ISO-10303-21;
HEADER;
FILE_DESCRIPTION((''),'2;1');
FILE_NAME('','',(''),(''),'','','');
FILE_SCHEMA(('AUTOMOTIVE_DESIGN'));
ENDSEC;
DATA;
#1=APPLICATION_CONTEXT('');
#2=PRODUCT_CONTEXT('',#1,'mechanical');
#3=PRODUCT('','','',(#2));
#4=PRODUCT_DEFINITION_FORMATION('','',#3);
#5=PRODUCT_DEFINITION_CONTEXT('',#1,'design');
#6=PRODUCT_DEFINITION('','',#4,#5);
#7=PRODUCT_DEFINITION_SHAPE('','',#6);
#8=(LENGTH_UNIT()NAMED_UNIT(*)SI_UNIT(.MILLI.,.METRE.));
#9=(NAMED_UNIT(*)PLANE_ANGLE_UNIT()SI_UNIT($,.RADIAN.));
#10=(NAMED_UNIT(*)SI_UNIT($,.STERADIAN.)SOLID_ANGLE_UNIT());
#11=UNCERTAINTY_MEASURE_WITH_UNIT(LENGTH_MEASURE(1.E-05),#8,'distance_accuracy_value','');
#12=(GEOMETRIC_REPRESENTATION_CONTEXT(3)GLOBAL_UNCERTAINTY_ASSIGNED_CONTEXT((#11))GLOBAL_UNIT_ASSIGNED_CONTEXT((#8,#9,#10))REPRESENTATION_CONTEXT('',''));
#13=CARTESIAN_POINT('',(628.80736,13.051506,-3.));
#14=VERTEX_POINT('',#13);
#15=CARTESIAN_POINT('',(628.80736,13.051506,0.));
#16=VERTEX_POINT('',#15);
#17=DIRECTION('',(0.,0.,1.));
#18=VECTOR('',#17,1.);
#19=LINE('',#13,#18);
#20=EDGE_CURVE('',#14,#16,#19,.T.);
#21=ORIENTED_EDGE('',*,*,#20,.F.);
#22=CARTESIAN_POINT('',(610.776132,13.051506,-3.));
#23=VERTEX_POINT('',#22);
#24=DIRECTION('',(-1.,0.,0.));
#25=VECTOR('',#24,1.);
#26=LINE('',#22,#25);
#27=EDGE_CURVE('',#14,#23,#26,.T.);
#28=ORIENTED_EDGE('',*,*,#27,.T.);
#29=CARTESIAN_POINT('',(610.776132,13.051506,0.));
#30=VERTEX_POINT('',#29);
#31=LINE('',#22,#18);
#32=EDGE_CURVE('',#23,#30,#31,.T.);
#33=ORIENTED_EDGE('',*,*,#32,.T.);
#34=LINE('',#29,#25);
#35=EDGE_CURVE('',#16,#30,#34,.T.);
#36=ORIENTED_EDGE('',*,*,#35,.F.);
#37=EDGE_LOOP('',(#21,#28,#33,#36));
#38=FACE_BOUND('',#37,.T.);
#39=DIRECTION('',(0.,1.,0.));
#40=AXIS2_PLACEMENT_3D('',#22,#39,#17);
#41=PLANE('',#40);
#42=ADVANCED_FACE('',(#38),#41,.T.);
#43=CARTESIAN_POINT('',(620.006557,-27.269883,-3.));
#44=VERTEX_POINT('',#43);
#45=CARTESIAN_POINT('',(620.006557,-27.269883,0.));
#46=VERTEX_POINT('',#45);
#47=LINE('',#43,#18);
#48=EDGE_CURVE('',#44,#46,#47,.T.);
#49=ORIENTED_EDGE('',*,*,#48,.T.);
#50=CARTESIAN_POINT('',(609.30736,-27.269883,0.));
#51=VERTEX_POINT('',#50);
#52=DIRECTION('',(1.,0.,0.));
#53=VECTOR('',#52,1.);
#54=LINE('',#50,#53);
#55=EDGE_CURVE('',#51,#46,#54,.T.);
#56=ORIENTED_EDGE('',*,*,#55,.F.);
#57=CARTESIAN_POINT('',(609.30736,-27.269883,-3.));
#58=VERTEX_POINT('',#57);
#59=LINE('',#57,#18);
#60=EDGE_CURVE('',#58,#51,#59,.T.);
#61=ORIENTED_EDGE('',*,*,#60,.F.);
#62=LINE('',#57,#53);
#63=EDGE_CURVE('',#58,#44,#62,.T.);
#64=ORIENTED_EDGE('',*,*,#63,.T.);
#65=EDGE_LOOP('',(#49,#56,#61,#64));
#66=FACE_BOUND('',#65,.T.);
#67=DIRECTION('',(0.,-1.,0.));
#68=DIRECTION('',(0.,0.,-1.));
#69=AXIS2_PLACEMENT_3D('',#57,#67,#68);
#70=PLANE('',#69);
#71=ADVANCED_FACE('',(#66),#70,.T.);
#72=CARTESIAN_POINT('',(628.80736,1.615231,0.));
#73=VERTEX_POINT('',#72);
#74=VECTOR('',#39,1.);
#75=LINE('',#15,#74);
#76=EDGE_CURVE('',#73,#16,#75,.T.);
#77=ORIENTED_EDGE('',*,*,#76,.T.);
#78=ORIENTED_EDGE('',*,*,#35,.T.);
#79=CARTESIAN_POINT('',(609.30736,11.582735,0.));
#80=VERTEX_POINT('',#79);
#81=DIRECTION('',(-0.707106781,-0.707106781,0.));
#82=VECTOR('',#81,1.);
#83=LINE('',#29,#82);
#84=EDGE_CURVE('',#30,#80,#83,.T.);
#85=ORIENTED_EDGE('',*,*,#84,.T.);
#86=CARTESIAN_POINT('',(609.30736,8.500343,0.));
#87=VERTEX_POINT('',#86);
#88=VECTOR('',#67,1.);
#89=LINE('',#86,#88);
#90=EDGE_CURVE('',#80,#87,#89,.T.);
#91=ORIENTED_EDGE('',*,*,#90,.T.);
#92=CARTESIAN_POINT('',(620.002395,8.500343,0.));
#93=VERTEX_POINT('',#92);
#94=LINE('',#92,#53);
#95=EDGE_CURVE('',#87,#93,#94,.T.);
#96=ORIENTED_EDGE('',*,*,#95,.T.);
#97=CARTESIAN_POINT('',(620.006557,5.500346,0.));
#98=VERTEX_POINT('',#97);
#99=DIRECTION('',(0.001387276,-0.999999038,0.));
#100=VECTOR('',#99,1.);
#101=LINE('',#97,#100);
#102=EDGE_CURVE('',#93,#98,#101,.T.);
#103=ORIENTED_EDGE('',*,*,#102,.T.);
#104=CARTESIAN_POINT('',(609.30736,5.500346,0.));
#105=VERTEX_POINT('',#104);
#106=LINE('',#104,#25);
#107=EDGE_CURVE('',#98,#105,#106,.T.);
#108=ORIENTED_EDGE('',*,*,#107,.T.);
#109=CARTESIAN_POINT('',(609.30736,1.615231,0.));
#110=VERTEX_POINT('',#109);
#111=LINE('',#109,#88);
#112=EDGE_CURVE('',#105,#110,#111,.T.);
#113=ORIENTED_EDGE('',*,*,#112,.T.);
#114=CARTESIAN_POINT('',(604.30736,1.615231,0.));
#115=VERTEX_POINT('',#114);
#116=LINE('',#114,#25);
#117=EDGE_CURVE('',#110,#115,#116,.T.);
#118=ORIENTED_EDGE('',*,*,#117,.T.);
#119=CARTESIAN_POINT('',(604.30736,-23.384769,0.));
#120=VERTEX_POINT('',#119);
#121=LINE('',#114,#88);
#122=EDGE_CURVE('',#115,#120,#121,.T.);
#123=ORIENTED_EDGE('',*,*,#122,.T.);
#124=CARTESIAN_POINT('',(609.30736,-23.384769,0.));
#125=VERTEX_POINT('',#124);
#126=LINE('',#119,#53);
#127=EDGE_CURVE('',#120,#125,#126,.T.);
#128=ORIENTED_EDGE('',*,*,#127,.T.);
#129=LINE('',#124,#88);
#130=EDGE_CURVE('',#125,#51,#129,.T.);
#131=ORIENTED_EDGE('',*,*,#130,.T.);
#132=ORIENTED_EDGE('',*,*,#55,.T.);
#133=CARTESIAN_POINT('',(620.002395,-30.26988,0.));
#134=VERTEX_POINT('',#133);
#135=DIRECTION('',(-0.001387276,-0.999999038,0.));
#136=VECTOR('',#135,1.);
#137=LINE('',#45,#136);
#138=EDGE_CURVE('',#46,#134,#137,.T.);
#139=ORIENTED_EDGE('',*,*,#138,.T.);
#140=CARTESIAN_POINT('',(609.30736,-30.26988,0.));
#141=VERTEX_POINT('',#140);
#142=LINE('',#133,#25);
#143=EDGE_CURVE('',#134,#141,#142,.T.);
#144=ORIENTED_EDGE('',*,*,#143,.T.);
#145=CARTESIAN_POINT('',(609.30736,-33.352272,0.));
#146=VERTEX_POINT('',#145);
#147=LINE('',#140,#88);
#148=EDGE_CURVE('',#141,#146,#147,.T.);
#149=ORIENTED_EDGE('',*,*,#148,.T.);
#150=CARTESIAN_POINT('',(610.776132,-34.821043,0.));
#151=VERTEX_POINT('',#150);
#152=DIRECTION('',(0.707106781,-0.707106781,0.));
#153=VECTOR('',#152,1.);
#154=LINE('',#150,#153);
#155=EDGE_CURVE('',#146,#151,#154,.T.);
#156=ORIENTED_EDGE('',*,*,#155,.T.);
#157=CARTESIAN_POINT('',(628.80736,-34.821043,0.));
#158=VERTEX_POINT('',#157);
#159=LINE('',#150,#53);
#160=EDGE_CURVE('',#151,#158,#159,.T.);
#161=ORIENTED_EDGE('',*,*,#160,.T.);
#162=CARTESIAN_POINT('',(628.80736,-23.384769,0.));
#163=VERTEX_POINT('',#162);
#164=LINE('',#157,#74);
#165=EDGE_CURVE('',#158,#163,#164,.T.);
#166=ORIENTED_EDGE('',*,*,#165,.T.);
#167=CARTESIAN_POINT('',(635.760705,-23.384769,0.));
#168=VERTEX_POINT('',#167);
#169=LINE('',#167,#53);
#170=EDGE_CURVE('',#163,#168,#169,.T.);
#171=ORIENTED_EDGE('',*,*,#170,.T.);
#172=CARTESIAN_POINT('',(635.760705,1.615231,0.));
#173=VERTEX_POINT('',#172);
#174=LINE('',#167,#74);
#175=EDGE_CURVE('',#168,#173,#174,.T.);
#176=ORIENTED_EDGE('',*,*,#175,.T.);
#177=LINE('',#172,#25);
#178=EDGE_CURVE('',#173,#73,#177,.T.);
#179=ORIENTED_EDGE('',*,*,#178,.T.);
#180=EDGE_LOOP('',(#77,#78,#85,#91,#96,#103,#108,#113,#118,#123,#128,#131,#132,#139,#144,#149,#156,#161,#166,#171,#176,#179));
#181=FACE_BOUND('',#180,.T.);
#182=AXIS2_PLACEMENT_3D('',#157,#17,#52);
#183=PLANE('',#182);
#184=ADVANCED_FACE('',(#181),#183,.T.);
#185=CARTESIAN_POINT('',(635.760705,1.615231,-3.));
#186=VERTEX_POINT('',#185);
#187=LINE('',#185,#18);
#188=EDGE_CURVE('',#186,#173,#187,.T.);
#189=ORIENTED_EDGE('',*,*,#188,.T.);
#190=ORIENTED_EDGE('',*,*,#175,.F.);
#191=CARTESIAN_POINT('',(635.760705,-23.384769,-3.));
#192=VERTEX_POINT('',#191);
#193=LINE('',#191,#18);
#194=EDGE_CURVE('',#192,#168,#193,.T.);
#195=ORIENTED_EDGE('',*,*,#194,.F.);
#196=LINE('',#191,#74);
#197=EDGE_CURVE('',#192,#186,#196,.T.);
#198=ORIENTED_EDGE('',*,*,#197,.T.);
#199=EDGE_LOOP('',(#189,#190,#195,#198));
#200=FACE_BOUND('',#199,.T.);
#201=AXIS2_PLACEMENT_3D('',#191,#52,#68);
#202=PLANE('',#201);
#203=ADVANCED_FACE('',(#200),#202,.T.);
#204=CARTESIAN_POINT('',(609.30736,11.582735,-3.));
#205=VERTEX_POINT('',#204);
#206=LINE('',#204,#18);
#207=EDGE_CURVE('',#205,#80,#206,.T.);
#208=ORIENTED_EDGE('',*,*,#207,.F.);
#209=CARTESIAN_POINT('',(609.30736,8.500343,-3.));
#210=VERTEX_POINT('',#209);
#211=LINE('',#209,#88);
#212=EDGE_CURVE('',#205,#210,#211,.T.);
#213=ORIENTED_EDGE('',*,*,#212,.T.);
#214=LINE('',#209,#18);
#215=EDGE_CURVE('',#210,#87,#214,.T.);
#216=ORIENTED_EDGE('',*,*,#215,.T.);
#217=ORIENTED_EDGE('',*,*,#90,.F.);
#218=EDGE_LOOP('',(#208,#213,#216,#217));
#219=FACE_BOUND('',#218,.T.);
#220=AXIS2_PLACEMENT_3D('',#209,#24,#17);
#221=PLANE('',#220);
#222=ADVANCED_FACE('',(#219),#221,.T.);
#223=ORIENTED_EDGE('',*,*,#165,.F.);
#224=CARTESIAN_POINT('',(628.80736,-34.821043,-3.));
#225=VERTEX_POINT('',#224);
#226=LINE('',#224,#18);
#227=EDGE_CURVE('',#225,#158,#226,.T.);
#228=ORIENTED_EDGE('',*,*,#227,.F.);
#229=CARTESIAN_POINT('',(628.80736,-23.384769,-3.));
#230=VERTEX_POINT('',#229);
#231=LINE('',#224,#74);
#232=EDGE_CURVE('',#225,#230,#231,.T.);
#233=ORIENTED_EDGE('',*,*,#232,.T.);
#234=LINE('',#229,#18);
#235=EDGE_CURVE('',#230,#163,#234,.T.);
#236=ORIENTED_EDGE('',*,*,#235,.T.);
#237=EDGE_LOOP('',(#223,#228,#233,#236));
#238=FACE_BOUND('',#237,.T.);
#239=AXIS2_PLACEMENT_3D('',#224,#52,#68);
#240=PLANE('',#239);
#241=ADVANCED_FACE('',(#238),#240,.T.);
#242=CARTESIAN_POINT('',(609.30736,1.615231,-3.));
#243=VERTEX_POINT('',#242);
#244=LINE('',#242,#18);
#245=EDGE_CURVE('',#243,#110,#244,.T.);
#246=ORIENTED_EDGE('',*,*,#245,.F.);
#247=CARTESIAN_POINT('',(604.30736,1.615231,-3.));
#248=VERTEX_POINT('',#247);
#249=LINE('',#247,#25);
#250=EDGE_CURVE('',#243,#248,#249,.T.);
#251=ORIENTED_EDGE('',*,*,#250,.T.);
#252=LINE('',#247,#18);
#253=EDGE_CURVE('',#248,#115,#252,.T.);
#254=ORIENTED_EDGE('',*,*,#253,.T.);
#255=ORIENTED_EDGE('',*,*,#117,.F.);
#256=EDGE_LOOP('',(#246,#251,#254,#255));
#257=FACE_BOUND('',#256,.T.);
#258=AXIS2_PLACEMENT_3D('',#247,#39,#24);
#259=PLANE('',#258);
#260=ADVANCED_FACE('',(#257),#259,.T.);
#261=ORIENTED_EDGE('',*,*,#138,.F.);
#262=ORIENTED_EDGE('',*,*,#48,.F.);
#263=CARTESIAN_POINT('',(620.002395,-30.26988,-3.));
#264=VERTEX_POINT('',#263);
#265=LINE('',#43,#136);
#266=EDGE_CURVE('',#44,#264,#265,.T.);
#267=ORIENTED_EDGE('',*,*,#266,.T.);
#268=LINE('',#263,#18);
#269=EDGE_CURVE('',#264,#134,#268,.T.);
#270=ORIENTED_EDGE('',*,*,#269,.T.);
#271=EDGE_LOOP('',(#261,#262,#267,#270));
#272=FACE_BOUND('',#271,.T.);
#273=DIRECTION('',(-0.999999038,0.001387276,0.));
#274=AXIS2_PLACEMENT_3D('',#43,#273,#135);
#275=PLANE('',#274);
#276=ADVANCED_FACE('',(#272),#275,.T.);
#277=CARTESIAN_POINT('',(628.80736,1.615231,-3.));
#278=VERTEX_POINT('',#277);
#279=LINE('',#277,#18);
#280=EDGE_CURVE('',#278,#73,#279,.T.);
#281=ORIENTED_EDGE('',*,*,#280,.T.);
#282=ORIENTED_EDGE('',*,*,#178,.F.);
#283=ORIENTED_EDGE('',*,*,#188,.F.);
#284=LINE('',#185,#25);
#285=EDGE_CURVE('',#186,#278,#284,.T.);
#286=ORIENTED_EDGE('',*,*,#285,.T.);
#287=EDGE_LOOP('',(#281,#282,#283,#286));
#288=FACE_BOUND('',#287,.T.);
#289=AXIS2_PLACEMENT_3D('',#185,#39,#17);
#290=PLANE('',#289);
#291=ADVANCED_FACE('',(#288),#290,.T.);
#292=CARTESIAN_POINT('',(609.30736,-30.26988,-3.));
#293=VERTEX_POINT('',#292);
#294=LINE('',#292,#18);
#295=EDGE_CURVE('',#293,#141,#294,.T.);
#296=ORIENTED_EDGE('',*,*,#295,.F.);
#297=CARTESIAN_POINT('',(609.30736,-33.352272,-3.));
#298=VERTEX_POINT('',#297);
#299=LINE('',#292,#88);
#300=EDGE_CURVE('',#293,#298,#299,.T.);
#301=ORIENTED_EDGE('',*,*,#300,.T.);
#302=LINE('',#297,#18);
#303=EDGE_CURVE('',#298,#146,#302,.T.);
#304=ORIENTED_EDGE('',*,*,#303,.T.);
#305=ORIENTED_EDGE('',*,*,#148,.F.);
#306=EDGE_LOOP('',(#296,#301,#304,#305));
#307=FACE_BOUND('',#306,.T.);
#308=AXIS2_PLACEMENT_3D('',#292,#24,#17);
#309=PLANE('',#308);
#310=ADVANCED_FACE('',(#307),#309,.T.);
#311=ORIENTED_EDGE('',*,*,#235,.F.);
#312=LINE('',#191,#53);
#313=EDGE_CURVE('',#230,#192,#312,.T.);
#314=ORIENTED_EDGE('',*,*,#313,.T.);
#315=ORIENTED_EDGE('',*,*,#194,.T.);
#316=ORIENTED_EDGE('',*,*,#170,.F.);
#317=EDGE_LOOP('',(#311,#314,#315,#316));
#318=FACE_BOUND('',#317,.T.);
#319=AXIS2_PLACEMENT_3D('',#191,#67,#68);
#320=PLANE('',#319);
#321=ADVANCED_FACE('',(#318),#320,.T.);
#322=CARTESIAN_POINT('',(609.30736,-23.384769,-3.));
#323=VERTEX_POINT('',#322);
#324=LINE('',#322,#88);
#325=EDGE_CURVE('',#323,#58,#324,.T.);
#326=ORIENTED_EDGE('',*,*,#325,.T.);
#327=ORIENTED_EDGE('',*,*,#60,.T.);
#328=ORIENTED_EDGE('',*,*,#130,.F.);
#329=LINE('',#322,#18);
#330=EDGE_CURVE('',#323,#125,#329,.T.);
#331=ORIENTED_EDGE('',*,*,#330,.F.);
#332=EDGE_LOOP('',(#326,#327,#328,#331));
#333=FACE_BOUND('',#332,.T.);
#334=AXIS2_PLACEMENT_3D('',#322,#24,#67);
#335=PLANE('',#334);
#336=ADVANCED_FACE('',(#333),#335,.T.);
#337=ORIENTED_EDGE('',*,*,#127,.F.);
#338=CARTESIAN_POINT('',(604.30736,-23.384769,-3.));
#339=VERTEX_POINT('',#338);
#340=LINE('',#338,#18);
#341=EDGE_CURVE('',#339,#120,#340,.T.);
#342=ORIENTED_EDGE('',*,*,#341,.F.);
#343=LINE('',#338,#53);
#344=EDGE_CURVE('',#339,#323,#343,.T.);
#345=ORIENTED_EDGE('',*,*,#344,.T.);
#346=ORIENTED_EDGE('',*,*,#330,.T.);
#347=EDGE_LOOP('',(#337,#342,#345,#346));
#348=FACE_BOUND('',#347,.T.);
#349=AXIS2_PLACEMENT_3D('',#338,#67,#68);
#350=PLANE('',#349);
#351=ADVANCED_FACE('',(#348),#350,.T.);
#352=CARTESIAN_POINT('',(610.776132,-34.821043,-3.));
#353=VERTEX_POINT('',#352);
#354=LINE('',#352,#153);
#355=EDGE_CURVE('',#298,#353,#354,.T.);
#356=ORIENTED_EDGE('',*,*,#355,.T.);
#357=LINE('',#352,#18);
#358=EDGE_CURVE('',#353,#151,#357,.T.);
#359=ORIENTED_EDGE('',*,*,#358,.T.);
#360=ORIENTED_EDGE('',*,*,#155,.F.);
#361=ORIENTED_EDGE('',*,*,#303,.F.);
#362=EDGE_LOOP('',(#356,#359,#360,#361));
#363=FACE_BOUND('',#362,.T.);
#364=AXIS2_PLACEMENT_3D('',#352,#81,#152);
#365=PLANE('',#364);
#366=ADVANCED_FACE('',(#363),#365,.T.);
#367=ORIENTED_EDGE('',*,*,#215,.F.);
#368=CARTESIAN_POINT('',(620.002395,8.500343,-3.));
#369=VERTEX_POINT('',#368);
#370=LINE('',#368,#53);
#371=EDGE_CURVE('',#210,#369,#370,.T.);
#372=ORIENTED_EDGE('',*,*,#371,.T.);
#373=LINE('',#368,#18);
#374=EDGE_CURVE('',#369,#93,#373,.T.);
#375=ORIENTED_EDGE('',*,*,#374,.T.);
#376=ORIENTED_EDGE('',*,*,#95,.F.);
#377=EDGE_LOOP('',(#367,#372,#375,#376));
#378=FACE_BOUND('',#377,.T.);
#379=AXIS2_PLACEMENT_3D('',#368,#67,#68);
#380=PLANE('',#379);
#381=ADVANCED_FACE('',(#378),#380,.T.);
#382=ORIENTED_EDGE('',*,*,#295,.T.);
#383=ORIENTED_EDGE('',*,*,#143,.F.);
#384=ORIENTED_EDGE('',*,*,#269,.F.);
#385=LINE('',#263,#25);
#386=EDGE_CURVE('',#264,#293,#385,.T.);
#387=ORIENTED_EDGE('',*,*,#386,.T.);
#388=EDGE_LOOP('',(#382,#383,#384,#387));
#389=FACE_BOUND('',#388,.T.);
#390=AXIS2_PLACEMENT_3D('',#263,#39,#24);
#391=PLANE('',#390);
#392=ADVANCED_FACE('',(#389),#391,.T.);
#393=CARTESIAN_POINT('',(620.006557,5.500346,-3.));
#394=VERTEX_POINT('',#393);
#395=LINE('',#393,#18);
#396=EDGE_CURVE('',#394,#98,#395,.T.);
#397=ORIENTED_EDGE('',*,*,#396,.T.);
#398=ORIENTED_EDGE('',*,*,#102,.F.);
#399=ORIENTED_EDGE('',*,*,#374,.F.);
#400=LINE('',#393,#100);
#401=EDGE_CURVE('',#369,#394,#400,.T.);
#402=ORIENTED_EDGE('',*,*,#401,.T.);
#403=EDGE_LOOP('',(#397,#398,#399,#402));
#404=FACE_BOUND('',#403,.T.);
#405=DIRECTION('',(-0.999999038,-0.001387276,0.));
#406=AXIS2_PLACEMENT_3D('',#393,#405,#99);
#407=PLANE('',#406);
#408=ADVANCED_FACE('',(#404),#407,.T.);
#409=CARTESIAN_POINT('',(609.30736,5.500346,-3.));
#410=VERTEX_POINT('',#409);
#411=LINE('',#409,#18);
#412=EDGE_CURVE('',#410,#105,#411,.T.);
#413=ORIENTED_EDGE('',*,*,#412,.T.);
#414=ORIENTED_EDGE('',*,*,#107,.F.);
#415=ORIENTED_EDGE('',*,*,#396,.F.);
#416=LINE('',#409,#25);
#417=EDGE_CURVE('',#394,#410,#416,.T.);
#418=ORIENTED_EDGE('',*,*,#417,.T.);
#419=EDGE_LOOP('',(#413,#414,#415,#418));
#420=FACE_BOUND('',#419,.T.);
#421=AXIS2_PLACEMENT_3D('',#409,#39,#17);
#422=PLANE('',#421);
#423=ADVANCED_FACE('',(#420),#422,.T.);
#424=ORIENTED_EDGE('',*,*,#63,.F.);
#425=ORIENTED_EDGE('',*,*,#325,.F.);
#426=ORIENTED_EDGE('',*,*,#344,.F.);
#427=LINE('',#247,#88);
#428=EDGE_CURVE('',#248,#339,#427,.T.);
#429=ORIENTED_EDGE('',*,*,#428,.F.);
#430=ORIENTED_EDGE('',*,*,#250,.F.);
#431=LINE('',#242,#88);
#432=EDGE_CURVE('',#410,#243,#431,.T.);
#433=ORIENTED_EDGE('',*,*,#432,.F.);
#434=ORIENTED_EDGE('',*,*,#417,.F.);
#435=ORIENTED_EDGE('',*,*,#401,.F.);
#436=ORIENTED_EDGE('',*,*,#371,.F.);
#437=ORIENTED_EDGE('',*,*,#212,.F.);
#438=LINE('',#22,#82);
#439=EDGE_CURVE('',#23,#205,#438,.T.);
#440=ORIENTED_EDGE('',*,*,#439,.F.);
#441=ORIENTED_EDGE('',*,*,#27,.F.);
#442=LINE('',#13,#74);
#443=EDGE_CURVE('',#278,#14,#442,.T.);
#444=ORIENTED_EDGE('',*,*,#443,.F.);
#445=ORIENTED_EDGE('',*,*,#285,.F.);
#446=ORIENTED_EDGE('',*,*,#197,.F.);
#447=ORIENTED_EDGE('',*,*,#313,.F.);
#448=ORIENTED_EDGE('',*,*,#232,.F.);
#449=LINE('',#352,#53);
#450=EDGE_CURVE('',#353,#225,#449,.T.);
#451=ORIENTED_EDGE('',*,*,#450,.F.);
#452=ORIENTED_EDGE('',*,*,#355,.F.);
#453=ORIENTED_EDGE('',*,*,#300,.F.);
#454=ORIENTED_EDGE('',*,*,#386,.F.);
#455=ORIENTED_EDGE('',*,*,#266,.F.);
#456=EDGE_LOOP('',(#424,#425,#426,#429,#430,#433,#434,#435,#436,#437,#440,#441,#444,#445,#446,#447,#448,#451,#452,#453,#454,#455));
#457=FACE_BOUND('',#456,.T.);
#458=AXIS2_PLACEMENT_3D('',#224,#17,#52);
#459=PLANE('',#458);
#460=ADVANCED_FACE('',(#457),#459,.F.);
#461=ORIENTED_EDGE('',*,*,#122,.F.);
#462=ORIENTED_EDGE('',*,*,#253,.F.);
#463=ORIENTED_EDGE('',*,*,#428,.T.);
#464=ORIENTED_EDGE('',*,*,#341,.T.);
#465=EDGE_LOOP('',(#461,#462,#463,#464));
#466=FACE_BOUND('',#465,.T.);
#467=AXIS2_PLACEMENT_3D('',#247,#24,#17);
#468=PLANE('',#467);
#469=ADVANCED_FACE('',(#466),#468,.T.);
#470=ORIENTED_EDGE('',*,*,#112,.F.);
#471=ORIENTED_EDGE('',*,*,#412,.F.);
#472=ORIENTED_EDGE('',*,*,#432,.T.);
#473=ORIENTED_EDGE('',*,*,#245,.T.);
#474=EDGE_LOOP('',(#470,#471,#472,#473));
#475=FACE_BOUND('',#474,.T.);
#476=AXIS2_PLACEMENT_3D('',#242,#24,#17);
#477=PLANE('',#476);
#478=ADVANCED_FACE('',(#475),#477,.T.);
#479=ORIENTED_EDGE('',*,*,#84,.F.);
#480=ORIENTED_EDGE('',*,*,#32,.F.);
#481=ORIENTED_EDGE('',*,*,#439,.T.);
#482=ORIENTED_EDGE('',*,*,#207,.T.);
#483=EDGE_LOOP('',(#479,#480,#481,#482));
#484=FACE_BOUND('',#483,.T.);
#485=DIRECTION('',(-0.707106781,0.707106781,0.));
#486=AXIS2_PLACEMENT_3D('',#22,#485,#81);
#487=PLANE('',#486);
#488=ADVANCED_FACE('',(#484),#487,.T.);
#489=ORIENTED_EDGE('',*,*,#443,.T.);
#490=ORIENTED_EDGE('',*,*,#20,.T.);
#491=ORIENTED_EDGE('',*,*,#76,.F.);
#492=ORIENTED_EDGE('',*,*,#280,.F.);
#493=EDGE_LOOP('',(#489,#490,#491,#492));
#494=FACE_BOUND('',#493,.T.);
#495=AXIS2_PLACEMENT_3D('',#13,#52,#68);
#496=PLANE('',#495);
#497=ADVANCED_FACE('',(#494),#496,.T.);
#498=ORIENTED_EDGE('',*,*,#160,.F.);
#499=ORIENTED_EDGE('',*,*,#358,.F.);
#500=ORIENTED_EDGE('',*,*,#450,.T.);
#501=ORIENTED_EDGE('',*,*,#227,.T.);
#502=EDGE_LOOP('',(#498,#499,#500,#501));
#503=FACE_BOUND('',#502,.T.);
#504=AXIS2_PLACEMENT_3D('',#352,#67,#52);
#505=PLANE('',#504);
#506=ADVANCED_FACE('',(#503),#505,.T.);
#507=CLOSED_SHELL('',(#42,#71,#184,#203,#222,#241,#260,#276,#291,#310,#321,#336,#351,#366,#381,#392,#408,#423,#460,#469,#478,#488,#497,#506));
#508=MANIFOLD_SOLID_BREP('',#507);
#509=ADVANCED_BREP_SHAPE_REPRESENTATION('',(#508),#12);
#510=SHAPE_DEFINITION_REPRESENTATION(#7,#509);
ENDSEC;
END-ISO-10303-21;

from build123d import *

# Parameters (mm, degrees)
BASE_EXTRUDE_DEPTH = 3


with BuildPart() as part:
    # Sketch1 → Base-Extrude (new body)
    with BuildSketch(Plane.XY):
        Polygon((628.807360223, -34.821043289), (628.807360223, -23.384768608), (635.760704602, -23.384768608), (635.760704602, 1.615231392), (628.807360223, 1.615231392), (628.807360223, 13.051506072), (610.77613174, 13.051506072), (609.307360223, 11.582734555), (609.307360223, 8.500342673), (620.002394878, 8.500342673), (620.006556706, 5.50034556), (609.307360223, 5.50034556), (609.307360223, 1.615231392), (604.307360223, 1.615231392), (604.307360223, -23.384768608), (609.307360223, -23.384768608), (609.307360223, -27.269882776), (620.006556706, -27.269882776), (620.002394878, -30.269879889), (609.307360223, -30.269879889), (609.307360223, -33.352271772), (610.77613174, -34.821043289), align=None)
    extrude(amount=-BASE_EXTRUDE_DEPTH)


solid = part.part
